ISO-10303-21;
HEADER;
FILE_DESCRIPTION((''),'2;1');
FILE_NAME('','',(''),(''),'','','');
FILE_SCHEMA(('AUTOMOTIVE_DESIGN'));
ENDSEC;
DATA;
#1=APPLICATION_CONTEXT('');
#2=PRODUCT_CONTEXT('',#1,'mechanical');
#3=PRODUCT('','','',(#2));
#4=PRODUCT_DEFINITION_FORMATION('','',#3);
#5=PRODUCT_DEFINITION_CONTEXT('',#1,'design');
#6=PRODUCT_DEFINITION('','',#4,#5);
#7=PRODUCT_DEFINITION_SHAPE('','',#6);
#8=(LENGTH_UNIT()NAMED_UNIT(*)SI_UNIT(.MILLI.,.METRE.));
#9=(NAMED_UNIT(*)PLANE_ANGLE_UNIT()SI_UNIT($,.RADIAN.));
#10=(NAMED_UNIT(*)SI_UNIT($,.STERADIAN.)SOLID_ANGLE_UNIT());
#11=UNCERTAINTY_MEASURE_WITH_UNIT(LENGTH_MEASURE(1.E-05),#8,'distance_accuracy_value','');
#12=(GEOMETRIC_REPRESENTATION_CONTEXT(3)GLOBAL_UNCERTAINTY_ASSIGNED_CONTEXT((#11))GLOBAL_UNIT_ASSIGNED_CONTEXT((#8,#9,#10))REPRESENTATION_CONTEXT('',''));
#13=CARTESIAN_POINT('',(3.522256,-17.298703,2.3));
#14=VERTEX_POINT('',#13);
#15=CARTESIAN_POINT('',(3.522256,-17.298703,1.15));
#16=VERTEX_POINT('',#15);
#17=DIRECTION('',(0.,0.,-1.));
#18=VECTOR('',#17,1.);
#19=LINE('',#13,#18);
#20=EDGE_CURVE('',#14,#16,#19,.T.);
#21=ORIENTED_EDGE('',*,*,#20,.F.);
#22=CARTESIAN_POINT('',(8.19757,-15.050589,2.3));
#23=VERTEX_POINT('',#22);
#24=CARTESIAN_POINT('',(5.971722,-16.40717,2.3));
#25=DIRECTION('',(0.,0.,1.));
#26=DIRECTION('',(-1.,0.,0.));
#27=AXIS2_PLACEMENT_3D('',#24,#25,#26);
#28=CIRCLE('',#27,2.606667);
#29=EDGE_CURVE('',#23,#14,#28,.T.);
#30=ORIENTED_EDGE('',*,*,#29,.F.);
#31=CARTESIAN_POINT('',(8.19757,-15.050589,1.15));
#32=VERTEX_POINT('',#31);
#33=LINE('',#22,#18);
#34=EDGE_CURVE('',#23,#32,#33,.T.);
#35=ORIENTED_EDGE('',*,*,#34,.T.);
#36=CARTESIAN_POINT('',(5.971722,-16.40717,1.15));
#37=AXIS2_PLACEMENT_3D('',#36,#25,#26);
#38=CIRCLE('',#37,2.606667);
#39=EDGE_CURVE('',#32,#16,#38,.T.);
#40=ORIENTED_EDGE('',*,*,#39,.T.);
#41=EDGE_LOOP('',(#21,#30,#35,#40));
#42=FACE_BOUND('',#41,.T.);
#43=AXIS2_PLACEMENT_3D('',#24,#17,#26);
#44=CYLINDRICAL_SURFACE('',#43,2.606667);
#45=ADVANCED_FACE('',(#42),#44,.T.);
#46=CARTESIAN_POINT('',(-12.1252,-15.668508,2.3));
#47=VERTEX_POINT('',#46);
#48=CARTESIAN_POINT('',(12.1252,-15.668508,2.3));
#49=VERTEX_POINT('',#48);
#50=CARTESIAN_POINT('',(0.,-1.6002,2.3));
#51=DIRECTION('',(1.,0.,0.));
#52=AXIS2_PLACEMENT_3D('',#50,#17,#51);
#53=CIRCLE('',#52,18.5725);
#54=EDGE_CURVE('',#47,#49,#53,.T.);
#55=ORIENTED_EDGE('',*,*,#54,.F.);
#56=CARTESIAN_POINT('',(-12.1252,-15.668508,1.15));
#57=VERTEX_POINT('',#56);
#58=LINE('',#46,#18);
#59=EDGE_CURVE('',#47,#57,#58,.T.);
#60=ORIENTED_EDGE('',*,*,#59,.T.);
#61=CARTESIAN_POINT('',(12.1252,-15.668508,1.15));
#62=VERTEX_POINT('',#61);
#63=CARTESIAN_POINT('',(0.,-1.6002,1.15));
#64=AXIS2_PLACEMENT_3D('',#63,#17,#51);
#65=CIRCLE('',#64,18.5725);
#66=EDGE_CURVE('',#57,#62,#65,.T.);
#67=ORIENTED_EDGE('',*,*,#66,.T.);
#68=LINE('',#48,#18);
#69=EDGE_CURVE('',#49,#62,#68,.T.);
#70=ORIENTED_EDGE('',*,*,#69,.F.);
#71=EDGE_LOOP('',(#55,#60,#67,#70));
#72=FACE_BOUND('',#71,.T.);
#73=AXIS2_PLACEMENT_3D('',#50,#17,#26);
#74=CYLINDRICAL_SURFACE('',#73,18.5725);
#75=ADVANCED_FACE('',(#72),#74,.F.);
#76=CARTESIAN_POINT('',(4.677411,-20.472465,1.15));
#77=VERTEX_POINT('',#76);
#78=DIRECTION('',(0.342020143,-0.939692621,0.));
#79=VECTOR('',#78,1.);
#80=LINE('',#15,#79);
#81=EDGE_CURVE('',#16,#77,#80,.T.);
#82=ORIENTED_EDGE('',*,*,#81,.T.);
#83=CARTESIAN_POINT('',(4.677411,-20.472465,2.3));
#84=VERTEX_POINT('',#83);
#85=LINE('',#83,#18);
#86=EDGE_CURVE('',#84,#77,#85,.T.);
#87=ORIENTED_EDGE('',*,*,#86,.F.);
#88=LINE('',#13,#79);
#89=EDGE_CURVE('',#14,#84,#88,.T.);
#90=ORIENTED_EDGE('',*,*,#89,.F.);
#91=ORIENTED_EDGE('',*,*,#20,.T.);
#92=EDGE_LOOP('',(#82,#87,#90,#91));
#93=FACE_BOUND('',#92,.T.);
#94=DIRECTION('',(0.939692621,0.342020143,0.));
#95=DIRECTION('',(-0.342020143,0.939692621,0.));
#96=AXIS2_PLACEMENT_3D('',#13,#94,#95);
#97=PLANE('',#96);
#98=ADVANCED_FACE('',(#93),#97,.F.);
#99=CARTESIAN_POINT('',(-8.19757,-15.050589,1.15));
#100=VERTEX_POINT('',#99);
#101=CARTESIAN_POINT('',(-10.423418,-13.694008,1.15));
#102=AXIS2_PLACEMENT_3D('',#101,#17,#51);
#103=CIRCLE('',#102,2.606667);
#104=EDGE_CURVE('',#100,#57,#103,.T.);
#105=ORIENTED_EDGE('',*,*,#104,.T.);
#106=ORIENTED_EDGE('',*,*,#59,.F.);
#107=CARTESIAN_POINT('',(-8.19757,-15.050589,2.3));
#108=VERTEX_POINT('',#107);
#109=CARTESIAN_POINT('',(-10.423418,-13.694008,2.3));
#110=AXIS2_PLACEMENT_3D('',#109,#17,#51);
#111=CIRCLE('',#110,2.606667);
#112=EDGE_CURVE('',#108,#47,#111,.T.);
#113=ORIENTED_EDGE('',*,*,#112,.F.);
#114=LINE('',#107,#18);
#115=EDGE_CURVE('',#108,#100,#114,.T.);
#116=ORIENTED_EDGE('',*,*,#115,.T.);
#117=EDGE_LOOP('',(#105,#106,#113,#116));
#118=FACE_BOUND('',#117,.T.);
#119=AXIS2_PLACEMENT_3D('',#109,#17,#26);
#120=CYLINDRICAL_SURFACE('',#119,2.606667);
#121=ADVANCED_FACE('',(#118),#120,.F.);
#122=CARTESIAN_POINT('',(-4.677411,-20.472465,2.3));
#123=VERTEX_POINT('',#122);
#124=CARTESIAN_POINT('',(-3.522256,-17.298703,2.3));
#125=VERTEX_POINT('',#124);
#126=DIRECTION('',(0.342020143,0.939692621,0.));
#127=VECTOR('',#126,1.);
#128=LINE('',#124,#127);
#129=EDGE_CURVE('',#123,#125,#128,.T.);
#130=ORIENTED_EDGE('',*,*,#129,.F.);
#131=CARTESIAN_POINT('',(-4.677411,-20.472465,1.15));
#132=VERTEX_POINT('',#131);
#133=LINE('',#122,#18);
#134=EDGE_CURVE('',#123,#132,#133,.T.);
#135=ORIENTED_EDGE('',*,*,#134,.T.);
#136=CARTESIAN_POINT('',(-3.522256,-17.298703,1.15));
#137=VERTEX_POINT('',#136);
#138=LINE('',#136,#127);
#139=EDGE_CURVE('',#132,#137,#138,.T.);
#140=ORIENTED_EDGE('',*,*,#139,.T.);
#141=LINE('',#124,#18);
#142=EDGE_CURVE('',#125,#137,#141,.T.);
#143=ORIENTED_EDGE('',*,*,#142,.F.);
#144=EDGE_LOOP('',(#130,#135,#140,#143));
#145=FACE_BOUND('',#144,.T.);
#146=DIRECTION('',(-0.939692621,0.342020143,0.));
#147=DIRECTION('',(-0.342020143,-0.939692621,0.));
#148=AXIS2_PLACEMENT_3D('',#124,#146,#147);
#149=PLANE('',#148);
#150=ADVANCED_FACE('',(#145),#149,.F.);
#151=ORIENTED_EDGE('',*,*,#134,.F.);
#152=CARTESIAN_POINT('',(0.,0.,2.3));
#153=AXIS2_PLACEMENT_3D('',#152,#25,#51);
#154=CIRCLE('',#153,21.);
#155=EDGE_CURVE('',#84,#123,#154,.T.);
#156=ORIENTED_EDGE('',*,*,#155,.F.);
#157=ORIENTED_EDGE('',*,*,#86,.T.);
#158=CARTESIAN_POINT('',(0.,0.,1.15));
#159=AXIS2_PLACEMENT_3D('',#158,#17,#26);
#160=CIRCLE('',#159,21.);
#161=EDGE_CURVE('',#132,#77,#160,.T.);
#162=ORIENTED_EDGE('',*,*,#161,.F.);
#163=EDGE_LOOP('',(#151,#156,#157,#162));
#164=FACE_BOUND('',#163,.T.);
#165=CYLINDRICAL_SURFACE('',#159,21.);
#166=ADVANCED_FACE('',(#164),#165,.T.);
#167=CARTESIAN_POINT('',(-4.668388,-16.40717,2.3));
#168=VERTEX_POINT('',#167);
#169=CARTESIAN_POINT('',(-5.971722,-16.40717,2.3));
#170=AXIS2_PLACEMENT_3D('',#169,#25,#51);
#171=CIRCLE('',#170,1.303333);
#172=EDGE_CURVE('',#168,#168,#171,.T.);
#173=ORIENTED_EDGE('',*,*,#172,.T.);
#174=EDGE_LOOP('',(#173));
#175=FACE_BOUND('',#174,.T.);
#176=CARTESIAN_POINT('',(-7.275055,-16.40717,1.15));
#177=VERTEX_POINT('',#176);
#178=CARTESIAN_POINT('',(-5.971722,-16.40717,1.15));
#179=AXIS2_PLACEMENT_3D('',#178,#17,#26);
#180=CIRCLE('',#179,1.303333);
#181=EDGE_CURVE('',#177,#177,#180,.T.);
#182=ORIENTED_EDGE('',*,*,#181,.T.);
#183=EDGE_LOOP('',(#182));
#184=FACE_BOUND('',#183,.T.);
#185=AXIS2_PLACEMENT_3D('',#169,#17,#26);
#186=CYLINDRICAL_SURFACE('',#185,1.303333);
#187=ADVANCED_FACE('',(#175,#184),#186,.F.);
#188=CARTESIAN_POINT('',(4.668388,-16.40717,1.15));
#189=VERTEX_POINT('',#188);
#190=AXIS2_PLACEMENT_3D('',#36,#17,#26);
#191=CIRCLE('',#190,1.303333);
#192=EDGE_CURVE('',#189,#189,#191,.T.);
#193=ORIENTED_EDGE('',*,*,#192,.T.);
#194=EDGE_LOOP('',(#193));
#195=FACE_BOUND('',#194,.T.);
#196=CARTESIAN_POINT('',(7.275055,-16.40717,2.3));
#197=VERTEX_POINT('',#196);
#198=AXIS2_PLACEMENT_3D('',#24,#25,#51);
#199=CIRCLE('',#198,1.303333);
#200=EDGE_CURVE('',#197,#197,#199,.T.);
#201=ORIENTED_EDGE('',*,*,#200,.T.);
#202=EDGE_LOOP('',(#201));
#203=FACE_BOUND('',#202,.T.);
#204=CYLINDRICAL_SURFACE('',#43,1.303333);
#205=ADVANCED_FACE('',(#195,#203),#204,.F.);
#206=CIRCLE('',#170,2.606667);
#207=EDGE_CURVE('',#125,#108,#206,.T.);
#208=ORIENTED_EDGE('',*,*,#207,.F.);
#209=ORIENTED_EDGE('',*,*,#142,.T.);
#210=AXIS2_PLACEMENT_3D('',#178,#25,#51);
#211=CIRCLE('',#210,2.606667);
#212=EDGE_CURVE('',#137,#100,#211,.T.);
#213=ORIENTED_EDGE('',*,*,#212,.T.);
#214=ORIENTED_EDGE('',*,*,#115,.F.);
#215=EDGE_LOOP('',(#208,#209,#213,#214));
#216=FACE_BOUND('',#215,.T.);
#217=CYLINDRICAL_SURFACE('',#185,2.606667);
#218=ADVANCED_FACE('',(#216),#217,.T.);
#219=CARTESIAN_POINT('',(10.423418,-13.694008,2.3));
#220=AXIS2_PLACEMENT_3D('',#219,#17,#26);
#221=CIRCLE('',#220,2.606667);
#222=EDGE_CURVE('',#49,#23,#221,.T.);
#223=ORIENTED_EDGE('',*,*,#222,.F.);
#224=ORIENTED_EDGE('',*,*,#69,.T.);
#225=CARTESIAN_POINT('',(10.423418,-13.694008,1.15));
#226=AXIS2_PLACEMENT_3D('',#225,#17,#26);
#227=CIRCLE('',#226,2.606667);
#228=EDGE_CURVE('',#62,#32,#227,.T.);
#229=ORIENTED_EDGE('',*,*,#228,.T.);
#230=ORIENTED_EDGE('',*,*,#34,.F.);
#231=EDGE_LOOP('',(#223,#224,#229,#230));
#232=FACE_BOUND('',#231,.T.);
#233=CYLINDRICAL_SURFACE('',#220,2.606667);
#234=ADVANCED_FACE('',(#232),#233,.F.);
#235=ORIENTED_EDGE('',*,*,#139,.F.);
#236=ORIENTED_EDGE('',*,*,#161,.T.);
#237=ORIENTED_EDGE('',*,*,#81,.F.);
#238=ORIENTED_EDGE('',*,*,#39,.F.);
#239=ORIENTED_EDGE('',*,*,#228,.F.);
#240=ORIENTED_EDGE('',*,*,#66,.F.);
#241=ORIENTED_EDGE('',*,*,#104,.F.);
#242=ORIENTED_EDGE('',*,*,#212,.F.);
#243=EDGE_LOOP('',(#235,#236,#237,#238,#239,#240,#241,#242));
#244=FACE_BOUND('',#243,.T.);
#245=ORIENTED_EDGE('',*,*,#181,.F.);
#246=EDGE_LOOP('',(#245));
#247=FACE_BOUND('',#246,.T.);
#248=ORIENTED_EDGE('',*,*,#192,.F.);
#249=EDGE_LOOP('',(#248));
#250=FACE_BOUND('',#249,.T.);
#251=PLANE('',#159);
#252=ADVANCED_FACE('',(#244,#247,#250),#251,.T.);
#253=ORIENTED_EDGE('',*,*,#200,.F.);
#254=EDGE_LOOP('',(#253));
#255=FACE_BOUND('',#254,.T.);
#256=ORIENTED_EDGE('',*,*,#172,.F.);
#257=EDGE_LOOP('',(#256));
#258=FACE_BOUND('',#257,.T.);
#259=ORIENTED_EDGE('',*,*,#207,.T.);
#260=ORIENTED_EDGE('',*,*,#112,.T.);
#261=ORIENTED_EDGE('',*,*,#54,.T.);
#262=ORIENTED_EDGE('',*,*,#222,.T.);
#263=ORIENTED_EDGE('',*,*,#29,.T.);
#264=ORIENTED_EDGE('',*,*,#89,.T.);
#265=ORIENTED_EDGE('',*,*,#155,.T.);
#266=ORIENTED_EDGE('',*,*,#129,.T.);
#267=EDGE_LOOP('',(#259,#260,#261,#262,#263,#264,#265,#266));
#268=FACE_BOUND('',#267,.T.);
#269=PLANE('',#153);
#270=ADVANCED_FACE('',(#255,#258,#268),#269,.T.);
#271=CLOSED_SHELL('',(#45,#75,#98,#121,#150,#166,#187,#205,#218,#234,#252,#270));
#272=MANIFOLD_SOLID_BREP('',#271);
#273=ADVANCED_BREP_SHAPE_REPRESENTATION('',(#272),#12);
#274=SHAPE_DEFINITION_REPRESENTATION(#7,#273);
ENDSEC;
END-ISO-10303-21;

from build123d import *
from build123d.topology import SkipClean

# Parameters (mm, degrees)
SKETCH1_R                 = 21
EXTRUDE1_DEPTH            = 1.15
SKETCH34_R                = 1.303333333
F_056_250_SNAP_RING_DEPTH = 1.15
SKETCH35_R                = 21
CUT_EXTRUDE1_DEPTH        = 1.15


with BuildPart() as part:
    # Sketch1 → Extrude1 (new body)
    with BuildSketch(Plane.XY):
        Circle(SKETCH1_R)
    extrude(amount=EXTRUDE1_DEPTH)

    # Sketch34 → 056-250 Snap Ring (add)
    with SkipClean():  # the faces are left unmerged after this step: merging them gives an invalid solid
        with BuildSketch(Plane.XY.offset(1.15)):
            with BuildLine():
                Line((-3.522256245, -17.298702968), (-4.677411169, -20.472465039))
                ThreePointArc((-4.677411169, -20.472465039), (0, 21), (4.677411169, -20.472465039))
                Line((4.677411169, -20.472465039), (3.522256245, -17.298702968))
                ThreePointArc((3.522256245, -17.298702968), (4.842117839, -14.057977774), (8.197569602, -15.050589419))
                ThreePointArc((8.197569602, -15.050589419), (10.018304079, -16.269002398), (12.125199981, -15.668507704))
                ThreePointArc((12.125199981, -15.668507704), (0, 16.9723), (-12.125199981, -15.668507704))
                ThreePointArc((-12.125199981, -15.668507704), (-10.018304079, -16.269002398), (-8.197569602, -15.050589419))
                ThreePointArc((-8.197569602, -15.050589419), (-4.842117839, -14.057977774), (-3.522256245, -17.298702968))
            make_face()
            with Locations((5.971721676, -16.407170461)):
                Circle(SKETCH34_R, mode=Mode.SUBTRACT)
            with Locations((-5.971721676, -16.407170461)):
                Circle(SKETCH34_R, mode=Mode.SUBTRACT)
        extrude(amount=F_056_250_SNAP_RING_DEPTH)

    # Sketch35 → Cut-Extrude1 (cut)
    with BuildSketch(Plane(origin=(0, 0, 0), x_dir=(-1, 0, 0), z_dir=(0, 0, -1))):
        Circle(SKETCH35_R)
    extrude(amount=-CUT_EXTRUDE1_DEPTH, mode=Mode.SUBTRACT)


solid = part.part
